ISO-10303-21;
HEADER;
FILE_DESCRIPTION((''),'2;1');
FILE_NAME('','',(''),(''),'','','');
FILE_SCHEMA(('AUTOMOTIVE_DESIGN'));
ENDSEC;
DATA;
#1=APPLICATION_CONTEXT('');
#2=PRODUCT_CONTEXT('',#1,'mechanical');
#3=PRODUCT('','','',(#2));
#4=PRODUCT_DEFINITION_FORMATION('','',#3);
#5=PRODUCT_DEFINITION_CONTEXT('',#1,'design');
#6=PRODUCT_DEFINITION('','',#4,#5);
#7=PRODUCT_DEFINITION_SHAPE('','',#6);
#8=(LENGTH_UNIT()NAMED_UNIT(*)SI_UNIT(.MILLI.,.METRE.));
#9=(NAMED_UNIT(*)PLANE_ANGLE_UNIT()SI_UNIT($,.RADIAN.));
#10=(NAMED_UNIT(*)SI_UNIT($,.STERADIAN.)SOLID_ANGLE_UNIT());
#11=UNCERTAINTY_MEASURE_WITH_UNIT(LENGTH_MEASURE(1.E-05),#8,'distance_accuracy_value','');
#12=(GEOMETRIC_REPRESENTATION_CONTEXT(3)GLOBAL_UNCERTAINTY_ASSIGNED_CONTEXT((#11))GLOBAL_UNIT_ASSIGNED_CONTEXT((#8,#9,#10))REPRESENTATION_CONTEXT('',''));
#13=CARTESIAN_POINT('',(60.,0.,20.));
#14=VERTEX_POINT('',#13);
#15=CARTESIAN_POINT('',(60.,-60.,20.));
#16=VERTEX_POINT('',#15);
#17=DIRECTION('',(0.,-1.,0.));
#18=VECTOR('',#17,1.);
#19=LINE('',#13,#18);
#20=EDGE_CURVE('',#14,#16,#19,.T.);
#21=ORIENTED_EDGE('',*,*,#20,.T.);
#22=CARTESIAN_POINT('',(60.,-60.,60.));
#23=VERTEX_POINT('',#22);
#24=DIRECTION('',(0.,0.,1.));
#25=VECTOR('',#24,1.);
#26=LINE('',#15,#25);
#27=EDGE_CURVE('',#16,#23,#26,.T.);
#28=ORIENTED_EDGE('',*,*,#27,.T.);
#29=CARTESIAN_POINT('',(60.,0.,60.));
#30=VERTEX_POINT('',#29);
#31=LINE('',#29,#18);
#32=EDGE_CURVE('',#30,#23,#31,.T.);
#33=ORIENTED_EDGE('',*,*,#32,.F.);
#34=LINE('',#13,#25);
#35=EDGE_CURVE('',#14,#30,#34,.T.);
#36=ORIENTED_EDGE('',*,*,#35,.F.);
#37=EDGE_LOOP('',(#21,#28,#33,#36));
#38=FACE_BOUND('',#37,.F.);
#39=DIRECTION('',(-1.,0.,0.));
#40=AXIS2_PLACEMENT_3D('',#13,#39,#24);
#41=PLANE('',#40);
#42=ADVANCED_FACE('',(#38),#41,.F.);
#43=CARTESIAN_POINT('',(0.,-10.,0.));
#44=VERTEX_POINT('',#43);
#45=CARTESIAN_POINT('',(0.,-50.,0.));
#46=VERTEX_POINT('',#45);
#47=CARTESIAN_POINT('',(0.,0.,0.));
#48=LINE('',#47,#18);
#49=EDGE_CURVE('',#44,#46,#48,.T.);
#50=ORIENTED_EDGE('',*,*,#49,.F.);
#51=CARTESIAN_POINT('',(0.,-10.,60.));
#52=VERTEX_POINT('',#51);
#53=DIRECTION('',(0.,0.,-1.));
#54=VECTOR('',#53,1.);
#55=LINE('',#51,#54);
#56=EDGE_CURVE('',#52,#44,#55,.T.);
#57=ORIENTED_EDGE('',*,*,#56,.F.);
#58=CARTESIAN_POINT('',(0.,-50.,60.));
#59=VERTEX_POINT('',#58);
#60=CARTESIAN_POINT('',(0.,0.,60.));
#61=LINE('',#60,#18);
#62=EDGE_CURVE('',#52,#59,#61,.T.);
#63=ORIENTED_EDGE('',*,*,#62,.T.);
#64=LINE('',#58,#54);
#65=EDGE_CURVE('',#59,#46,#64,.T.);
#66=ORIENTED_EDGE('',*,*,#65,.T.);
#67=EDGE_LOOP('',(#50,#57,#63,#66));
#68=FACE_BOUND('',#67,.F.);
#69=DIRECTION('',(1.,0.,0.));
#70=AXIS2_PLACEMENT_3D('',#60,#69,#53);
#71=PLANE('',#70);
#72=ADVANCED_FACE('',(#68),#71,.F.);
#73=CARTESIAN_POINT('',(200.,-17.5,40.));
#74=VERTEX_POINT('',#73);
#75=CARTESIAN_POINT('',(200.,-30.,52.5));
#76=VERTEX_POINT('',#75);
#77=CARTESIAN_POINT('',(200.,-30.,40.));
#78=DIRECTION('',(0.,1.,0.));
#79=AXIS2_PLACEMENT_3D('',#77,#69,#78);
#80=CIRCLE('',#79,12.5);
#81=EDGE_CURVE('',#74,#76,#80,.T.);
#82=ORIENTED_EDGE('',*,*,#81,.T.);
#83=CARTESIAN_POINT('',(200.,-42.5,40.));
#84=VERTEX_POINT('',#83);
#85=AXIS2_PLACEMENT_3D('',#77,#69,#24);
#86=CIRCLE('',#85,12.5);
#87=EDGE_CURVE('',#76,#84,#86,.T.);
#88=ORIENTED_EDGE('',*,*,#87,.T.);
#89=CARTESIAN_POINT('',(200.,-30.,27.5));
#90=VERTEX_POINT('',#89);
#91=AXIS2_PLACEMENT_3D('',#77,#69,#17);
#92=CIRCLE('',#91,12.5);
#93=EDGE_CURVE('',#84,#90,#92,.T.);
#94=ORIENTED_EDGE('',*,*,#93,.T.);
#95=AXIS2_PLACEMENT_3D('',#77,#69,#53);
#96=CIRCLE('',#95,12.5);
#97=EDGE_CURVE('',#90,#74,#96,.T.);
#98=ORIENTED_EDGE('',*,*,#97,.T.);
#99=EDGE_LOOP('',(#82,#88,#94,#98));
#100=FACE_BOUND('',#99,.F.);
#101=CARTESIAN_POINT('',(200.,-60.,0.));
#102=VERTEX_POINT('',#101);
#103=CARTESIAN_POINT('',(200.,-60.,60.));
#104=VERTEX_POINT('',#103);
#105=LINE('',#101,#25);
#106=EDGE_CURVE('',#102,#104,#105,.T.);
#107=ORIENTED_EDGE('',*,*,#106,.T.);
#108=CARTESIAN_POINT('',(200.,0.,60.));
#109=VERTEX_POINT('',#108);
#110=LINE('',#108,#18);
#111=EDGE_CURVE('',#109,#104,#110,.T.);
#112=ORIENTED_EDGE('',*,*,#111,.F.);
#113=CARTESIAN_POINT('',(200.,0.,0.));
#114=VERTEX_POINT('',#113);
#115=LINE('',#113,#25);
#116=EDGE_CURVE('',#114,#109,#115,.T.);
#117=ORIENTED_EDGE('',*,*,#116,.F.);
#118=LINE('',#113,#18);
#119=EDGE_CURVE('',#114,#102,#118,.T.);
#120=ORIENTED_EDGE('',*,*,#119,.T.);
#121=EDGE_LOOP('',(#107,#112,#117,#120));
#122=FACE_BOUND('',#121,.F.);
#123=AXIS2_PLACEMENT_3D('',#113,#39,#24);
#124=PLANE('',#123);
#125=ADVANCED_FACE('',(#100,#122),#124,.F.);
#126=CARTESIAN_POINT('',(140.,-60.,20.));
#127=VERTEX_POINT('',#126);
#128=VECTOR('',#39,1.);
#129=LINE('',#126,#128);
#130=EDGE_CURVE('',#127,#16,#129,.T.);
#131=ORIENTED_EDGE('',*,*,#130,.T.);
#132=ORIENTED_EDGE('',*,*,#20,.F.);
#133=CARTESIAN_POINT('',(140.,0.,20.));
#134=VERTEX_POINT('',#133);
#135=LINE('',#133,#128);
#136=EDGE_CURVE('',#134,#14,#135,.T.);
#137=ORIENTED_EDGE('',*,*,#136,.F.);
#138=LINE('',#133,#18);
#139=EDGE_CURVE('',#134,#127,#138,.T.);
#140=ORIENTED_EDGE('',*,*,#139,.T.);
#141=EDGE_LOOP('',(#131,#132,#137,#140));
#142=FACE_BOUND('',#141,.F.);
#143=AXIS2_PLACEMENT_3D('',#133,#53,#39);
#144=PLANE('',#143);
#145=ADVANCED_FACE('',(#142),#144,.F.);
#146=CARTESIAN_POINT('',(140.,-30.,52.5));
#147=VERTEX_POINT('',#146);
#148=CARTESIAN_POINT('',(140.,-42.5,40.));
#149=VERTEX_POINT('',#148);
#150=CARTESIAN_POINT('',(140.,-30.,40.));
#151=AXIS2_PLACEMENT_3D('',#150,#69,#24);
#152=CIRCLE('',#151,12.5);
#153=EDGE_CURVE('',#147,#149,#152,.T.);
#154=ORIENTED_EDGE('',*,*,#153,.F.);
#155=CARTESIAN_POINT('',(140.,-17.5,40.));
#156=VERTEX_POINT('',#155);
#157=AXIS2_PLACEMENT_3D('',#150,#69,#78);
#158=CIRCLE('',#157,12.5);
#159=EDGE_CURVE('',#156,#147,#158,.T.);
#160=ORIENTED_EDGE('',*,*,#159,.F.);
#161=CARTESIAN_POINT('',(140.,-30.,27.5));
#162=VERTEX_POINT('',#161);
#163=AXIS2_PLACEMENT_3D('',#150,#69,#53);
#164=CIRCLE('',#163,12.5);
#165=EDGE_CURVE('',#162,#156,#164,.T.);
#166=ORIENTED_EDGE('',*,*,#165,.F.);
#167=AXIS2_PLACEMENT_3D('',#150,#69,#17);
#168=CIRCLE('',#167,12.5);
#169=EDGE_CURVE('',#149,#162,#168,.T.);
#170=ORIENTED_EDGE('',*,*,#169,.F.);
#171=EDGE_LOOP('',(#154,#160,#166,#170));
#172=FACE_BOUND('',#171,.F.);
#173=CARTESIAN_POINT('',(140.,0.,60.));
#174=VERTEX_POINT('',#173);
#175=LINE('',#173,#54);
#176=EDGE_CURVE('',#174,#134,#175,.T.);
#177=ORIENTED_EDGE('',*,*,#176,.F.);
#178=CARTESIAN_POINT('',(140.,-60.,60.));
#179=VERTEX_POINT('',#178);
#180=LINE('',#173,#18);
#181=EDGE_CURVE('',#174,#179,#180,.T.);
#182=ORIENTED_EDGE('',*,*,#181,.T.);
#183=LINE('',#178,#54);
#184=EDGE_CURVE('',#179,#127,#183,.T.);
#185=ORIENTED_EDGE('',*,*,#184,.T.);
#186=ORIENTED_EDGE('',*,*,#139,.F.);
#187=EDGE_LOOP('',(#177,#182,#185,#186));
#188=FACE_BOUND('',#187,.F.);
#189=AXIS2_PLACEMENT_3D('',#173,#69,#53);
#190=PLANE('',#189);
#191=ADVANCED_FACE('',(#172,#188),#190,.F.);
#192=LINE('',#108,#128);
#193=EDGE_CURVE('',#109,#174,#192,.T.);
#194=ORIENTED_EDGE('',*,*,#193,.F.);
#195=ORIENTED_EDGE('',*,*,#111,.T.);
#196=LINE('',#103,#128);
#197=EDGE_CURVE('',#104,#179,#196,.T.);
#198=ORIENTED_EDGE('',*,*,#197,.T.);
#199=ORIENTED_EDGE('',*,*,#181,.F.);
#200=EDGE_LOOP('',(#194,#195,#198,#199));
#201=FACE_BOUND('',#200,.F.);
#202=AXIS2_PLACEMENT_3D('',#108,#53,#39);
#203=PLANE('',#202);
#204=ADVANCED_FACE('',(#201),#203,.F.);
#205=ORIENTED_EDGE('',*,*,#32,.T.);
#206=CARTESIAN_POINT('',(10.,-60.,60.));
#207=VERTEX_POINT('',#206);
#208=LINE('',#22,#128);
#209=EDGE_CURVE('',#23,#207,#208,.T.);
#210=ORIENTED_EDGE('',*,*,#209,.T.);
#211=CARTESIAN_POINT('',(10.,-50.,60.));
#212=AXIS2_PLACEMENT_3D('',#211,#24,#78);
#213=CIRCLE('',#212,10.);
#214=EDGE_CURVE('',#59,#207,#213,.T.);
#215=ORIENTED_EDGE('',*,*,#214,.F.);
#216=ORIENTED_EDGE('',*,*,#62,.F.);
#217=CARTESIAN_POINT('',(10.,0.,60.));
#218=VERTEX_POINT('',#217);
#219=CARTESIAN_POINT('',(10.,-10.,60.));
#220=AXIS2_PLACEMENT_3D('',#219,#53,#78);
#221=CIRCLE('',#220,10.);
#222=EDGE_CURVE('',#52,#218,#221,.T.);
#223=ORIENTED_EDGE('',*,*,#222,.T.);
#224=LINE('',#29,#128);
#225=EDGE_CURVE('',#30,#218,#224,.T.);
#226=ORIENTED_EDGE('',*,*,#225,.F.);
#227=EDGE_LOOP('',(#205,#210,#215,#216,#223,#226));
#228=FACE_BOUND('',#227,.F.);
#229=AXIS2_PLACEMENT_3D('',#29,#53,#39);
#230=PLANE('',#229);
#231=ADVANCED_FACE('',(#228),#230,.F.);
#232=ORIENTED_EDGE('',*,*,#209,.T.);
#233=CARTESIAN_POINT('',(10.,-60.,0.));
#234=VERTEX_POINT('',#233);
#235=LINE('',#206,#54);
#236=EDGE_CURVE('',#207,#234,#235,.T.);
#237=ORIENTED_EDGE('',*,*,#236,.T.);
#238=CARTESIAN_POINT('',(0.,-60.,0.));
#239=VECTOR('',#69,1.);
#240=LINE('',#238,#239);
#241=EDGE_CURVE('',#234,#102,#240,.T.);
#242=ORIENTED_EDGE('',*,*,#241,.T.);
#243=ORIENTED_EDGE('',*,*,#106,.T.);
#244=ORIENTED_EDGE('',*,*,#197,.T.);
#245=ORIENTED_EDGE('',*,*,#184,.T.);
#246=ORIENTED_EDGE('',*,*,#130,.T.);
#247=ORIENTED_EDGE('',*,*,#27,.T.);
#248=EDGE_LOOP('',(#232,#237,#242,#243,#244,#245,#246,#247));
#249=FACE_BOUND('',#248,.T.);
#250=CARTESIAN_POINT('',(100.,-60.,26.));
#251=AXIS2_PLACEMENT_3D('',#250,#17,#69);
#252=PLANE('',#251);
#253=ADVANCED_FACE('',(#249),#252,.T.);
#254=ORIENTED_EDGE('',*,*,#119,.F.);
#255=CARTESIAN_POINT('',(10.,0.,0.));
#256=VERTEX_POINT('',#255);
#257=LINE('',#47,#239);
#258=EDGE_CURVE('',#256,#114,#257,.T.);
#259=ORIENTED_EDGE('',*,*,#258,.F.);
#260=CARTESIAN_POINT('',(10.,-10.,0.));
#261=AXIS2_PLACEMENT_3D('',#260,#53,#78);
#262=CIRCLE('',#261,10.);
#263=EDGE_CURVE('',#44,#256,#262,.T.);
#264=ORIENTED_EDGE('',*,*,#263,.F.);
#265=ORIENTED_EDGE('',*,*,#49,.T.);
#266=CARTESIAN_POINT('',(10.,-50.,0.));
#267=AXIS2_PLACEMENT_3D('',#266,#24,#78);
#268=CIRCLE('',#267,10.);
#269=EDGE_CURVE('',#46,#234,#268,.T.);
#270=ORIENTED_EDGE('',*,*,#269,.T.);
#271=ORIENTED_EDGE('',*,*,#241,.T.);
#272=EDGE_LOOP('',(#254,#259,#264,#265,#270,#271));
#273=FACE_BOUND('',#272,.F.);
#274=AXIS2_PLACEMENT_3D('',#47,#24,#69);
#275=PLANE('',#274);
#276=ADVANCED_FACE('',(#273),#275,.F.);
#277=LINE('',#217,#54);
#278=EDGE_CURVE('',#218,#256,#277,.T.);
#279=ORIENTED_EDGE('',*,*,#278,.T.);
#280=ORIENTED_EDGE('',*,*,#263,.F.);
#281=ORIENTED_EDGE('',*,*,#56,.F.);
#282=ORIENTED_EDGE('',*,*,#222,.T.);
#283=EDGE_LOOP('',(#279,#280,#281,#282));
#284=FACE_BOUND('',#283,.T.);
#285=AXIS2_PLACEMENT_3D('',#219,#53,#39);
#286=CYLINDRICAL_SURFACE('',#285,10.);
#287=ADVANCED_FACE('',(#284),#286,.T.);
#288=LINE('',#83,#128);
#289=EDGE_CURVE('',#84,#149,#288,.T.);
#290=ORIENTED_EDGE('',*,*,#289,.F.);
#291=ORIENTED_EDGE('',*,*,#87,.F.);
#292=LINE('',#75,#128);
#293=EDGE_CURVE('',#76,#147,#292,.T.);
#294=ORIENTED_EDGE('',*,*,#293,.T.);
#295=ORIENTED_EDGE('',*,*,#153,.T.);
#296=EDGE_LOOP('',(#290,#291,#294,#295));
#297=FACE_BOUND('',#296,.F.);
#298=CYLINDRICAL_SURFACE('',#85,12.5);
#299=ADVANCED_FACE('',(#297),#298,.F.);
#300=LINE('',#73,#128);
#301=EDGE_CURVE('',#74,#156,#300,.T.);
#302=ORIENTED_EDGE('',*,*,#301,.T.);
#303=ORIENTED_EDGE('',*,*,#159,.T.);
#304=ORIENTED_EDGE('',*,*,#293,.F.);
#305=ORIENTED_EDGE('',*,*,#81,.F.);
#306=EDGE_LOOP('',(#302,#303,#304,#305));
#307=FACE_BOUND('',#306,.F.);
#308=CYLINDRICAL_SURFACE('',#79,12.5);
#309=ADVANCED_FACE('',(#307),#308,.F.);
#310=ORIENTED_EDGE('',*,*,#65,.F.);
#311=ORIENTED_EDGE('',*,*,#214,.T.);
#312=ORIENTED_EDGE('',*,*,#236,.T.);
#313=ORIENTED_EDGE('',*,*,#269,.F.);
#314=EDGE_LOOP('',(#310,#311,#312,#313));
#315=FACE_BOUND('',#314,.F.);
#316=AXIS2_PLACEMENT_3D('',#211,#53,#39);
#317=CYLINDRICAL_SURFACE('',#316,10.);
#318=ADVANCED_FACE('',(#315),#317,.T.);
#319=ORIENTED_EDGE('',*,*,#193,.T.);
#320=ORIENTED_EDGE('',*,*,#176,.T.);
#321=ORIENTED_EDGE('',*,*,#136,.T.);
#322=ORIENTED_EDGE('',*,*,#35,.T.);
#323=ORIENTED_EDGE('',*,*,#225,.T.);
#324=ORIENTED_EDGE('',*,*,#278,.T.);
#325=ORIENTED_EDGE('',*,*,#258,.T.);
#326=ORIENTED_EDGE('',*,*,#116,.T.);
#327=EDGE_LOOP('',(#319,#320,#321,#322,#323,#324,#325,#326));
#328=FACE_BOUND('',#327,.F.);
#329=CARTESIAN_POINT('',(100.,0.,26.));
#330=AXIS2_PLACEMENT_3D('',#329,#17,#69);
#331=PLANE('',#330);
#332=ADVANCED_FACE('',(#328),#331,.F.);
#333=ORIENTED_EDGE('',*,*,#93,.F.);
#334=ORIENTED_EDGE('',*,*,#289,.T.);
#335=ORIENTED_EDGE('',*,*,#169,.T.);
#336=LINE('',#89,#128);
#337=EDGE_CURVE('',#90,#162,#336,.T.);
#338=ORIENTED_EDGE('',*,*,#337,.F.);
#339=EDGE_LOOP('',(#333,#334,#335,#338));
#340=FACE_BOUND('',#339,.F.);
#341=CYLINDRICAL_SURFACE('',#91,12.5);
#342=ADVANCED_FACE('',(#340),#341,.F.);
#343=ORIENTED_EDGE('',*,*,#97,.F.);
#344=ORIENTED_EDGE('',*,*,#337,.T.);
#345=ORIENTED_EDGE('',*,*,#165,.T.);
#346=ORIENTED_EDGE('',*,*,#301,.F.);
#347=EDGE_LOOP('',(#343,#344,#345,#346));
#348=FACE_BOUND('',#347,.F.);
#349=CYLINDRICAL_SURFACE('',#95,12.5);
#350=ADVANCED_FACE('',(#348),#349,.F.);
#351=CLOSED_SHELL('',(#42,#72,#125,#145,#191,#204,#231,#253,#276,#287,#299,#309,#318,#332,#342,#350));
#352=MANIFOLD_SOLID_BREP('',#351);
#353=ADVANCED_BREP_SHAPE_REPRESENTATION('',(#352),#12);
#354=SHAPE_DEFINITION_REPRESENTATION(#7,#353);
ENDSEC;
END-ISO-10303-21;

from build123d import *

# Parameters (mm, degrees)
F1_DEPTH = 60
F3_DEPTH = 60
F4_R     = 10


with BuildPart() as f1:
    # F0 (on Front) → F1 (new body)
    with BuildSketch(Plane.XZ):
        Polygon((0, 60), (0, 0), (200, 0), (200, 60), (140, 60), (140, 20), (60, 20), (60, 60), align=None)
    extrude(amount=F1_DEPTH)

    # F2 (on face) → F3 (cut)
    with BuildSketch(Plane.YZ.offset(200)):
        with BuildLine():
            Line((-30, 40), (-17.5, 40))
            ThreePointArc((-17.5, 40), (-21.1611652352, 48.8388347648), (-30, 52.5))
            Line((-30, 52.5), (-30, 40))
        make_face()
        with BuildLine():
            Line((-30, 40), (-30, 52.5))
            ThreePointArc((-30, 52.5), (-38.8388347648, 48.8388347648), (-42.5, 40))
            Line((-42.5, 40), (-30, 40))
        make_face()
        with BuildLine():
            ThreePointArc((-42.5, 40), (-38.8388347648, 31.1611652352), (-30, 27.5))
            Line((-30, 27.5), (-30, 40))
            Line((-30, 40), (-42.5, 40))
        make_face()
        with BuildLine():
            ThreePointArc((-30, 27.5), (-21.1611652352, 31.1611652352), (-17.5, 40))
            Line((-17.5, 40), (-30, 40))
            Line((-30, 40), (-30, 27.5))
        make_face()
    extrude(amount=-F3_DEPTH, mode=Mode.SUBTRACT)

    # F4
    f4_edges = [f1.edges().sort_by_distance(p)[0] for p in [
        (0, 0, 30),
        (0, -60, 30),
    ]]
    fillet(f4_edges, radius=F4_R)


solid = f1.part
